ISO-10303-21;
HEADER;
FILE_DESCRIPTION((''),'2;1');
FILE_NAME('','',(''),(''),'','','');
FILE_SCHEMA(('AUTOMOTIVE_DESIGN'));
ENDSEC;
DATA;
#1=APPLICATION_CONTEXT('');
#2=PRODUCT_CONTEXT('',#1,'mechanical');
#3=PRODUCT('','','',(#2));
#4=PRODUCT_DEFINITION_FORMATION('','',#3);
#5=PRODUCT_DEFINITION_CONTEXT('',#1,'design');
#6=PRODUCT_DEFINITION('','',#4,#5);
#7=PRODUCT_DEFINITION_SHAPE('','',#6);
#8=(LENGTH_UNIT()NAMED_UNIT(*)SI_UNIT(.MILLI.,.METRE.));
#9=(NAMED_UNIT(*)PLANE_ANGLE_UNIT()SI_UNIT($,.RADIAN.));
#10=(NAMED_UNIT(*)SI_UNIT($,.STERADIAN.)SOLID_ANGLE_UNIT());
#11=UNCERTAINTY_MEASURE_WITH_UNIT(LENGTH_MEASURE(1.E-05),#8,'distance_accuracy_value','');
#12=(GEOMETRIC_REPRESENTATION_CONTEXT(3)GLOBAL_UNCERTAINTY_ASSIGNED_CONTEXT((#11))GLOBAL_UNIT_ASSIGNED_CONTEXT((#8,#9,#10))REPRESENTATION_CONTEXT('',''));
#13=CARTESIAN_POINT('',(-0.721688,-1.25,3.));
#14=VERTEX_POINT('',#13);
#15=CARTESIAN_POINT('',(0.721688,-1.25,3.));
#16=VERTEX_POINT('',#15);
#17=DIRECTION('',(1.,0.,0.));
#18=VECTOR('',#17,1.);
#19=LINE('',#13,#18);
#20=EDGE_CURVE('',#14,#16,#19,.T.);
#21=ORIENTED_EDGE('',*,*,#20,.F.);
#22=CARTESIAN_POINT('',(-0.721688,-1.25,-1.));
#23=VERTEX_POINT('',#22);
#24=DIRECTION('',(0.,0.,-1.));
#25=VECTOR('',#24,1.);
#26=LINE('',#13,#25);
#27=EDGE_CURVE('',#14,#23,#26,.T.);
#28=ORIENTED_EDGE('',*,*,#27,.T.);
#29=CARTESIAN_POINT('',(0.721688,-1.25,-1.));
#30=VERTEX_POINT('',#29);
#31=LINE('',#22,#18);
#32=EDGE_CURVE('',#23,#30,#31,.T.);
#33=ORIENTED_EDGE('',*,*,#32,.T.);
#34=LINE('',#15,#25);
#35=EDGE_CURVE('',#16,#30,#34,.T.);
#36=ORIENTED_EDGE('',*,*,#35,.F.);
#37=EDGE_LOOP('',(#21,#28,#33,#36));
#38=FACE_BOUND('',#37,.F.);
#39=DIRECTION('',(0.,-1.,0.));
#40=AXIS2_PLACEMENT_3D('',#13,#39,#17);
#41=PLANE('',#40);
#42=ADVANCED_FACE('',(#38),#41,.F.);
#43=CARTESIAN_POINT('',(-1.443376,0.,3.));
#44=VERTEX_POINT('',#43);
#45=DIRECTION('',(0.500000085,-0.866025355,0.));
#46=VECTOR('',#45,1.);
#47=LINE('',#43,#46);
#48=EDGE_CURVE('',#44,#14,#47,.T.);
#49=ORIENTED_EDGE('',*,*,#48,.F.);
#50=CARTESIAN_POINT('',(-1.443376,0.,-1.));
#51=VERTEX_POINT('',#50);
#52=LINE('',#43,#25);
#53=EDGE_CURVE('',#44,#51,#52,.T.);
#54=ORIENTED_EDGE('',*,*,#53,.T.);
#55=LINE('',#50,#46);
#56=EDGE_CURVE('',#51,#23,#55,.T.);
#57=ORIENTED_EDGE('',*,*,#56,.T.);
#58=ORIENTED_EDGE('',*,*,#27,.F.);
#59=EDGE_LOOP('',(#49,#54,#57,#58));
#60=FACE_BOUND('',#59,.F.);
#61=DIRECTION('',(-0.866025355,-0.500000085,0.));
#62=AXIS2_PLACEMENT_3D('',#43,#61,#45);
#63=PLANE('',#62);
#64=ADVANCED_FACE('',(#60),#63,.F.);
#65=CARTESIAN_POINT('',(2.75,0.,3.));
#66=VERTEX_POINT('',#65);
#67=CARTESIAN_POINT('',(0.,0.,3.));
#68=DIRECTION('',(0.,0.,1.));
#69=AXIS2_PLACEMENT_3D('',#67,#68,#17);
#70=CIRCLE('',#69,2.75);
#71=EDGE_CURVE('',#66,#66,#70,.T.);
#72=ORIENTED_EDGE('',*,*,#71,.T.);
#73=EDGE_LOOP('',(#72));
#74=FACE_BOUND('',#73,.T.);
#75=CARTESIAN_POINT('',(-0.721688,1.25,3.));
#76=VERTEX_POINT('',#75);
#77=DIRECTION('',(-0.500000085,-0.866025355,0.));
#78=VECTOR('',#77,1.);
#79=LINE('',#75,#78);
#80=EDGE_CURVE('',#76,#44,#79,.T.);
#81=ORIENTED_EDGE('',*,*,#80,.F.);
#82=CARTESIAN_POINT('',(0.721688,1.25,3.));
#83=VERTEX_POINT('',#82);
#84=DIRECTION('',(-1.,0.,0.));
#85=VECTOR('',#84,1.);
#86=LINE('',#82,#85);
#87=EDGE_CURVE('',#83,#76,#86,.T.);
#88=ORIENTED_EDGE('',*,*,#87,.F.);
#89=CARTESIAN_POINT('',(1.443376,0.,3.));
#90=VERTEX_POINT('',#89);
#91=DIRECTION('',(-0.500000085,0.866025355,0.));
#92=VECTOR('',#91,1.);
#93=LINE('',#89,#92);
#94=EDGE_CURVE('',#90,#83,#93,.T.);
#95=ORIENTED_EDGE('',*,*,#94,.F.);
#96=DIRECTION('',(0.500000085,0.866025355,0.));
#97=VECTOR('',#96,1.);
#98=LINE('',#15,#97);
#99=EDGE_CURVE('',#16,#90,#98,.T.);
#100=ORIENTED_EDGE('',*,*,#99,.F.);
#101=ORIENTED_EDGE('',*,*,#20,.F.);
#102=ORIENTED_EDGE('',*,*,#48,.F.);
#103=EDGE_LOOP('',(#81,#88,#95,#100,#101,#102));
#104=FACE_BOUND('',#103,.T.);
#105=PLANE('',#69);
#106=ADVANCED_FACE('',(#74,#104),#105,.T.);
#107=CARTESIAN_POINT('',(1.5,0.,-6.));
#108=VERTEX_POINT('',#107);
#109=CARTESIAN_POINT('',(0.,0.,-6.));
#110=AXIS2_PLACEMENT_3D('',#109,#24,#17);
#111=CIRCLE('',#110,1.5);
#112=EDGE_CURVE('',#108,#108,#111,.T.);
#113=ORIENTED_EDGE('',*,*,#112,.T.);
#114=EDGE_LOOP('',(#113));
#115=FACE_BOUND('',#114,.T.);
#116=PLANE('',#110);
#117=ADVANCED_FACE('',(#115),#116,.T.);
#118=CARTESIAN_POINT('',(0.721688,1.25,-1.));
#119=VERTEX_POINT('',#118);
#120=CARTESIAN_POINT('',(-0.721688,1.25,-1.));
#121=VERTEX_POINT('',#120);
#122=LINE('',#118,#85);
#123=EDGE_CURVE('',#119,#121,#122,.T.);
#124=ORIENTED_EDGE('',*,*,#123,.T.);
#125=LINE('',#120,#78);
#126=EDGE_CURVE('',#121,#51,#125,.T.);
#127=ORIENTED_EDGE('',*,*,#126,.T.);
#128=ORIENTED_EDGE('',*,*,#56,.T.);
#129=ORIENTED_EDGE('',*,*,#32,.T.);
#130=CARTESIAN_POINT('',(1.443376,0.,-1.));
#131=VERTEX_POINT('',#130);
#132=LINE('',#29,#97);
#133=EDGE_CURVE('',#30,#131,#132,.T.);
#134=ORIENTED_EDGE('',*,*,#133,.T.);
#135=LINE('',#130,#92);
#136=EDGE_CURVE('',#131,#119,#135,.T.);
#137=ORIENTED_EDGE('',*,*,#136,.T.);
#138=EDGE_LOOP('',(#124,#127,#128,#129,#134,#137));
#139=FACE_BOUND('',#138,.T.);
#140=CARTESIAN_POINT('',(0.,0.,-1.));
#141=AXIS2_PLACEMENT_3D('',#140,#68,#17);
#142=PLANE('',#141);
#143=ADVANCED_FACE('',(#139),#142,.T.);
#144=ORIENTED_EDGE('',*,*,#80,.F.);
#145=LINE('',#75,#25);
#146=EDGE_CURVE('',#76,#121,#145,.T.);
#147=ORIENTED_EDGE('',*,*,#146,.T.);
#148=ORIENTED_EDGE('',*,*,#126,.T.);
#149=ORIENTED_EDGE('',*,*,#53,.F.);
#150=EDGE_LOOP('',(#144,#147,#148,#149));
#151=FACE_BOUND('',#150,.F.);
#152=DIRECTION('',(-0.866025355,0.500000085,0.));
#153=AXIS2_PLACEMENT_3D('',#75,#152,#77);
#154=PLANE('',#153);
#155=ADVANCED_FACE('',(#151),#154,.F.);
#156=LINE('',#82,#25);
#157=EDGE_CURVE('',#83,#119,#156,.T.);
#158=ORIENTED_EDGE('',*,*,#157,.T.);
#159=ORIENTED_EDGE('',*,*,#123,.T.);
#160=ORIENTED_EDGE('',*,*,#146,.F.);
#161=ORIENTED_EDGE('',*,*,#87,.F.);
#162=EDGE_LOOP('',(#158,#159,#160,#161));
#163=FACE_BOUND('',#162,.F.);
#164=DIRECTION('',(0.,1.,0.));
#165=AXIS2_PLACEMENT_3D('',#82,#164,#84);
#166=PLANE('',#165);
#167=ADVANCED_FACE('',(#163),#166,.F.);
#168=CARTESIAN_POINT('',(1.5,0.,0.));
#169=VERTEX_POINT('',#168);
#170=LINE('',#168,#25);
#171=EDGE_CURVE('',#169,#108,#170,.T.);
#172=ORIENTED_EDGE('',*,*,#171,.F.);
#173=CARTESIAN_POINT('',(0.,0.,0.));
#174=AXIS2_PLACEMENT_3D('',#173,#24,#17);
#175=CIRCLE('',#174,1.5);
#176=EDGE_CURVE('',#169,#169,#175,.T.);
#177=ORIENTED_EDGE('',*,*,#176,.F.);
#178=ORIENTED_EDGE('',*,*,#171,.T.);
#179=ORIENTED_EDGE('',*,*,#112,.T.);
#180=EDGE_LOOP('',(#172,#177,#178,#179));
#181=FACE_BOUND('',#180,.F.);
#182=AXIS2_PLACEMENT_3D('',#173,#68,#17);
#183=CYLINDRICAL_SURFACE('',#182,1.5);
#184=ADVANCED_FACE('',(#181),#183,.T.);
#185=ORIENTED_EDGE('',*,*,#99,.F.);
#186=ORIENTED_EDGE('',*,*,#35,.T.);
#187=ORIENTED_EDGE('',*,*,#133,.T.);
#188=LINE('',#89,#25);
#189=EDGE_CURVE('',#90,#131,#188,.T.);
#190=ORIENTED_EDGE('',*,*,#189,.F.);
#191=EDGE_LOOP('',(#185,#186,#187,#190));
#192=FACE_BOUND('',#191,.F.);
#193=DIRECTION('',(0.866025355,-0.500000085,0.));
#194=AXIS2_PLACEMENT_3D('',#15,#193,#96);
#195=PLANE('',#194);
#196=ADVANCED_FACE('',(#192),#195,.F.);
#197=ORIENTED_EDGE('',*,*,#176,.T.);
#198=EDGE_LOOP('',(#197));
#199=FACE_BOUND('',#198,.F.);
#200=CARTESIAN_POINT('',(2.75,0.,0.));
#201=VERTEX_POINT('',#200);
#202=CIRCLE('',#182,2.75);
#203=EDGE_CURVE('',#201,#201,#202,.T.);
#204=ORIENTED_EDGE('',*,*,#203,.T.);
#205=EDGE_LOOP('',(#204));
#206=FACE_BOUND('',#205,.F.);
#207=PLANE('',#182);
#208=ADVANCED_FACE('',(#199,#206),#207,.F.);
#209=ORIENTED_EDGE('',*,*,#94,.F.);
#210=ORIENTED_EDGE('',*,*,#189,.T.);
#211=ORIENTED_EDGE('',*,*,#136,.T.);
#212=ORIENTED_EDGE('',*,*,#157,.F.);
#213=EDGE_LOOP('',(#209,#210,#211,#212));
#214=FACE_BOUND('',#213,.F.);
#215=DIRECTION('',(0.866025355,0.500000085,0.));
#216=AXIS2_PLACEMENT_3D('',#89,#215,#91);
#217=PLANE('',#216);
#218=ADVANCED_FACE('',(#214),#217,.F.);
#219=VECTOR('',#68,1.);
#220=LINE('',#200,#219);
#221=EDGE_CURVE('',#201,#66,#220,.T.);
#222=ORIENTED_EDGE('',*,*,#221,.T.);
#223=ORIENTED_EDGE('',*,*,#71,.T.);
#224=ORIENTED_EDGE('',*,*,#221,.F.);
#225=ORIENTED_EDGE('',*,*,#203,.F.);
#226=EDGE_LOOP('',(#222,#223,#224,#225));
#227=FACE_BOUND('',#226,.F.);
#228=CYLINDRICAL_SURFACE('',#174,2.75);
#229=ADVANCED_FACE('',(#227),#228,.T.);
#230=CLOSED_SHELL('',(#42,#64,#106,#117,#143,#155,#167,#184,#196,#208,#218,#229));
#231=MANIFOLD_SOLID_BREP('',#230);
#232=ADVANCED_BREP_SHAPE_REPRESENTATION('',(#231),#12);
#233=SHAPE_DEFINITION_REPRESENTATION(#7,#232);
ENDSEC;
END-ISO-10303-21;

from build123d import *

# Parameters (mm, degrees)
SKETCH_R     = 2.75
PAD_DEPTH    = 3
SKETCH001_R  = 1.5
PAD001_DEPTH = 6
POCKET_DEPTH = 4


with BuildPart() as part:
    # Sketch → Pad (new body)
    with BuildSketch(Plane.XY):
        Circle(SKETCH_R)
    extrude(amount=PAD_DEPTH)

    # Sketch001 (on Face2 of Pad) → Pad001 (join)
    with BuildSketch(Plane(origin=(0, 0, 0), x_dir=(1, 0, 0), z_dir=(0, 0, -1))):
        Circle(SKETCH001_R)
    extrude(amount=PAD001_DEPTH)

    # Sketch002 (on DatumPlane) → Pocket (cut)
    with BuildSketch(Plane.XY.offset(3)):
        Polygon((0.721688, -1.25), (1.443376, 0), (0.721688, 1.25), (-0.721688, 1.25), (-1.443376, 0), (-0.721688, -1.25), align=None)
    extrude(amount=-POCKET_DEPTH, mode=Mode.SUBTRACT)


solid = part.part
